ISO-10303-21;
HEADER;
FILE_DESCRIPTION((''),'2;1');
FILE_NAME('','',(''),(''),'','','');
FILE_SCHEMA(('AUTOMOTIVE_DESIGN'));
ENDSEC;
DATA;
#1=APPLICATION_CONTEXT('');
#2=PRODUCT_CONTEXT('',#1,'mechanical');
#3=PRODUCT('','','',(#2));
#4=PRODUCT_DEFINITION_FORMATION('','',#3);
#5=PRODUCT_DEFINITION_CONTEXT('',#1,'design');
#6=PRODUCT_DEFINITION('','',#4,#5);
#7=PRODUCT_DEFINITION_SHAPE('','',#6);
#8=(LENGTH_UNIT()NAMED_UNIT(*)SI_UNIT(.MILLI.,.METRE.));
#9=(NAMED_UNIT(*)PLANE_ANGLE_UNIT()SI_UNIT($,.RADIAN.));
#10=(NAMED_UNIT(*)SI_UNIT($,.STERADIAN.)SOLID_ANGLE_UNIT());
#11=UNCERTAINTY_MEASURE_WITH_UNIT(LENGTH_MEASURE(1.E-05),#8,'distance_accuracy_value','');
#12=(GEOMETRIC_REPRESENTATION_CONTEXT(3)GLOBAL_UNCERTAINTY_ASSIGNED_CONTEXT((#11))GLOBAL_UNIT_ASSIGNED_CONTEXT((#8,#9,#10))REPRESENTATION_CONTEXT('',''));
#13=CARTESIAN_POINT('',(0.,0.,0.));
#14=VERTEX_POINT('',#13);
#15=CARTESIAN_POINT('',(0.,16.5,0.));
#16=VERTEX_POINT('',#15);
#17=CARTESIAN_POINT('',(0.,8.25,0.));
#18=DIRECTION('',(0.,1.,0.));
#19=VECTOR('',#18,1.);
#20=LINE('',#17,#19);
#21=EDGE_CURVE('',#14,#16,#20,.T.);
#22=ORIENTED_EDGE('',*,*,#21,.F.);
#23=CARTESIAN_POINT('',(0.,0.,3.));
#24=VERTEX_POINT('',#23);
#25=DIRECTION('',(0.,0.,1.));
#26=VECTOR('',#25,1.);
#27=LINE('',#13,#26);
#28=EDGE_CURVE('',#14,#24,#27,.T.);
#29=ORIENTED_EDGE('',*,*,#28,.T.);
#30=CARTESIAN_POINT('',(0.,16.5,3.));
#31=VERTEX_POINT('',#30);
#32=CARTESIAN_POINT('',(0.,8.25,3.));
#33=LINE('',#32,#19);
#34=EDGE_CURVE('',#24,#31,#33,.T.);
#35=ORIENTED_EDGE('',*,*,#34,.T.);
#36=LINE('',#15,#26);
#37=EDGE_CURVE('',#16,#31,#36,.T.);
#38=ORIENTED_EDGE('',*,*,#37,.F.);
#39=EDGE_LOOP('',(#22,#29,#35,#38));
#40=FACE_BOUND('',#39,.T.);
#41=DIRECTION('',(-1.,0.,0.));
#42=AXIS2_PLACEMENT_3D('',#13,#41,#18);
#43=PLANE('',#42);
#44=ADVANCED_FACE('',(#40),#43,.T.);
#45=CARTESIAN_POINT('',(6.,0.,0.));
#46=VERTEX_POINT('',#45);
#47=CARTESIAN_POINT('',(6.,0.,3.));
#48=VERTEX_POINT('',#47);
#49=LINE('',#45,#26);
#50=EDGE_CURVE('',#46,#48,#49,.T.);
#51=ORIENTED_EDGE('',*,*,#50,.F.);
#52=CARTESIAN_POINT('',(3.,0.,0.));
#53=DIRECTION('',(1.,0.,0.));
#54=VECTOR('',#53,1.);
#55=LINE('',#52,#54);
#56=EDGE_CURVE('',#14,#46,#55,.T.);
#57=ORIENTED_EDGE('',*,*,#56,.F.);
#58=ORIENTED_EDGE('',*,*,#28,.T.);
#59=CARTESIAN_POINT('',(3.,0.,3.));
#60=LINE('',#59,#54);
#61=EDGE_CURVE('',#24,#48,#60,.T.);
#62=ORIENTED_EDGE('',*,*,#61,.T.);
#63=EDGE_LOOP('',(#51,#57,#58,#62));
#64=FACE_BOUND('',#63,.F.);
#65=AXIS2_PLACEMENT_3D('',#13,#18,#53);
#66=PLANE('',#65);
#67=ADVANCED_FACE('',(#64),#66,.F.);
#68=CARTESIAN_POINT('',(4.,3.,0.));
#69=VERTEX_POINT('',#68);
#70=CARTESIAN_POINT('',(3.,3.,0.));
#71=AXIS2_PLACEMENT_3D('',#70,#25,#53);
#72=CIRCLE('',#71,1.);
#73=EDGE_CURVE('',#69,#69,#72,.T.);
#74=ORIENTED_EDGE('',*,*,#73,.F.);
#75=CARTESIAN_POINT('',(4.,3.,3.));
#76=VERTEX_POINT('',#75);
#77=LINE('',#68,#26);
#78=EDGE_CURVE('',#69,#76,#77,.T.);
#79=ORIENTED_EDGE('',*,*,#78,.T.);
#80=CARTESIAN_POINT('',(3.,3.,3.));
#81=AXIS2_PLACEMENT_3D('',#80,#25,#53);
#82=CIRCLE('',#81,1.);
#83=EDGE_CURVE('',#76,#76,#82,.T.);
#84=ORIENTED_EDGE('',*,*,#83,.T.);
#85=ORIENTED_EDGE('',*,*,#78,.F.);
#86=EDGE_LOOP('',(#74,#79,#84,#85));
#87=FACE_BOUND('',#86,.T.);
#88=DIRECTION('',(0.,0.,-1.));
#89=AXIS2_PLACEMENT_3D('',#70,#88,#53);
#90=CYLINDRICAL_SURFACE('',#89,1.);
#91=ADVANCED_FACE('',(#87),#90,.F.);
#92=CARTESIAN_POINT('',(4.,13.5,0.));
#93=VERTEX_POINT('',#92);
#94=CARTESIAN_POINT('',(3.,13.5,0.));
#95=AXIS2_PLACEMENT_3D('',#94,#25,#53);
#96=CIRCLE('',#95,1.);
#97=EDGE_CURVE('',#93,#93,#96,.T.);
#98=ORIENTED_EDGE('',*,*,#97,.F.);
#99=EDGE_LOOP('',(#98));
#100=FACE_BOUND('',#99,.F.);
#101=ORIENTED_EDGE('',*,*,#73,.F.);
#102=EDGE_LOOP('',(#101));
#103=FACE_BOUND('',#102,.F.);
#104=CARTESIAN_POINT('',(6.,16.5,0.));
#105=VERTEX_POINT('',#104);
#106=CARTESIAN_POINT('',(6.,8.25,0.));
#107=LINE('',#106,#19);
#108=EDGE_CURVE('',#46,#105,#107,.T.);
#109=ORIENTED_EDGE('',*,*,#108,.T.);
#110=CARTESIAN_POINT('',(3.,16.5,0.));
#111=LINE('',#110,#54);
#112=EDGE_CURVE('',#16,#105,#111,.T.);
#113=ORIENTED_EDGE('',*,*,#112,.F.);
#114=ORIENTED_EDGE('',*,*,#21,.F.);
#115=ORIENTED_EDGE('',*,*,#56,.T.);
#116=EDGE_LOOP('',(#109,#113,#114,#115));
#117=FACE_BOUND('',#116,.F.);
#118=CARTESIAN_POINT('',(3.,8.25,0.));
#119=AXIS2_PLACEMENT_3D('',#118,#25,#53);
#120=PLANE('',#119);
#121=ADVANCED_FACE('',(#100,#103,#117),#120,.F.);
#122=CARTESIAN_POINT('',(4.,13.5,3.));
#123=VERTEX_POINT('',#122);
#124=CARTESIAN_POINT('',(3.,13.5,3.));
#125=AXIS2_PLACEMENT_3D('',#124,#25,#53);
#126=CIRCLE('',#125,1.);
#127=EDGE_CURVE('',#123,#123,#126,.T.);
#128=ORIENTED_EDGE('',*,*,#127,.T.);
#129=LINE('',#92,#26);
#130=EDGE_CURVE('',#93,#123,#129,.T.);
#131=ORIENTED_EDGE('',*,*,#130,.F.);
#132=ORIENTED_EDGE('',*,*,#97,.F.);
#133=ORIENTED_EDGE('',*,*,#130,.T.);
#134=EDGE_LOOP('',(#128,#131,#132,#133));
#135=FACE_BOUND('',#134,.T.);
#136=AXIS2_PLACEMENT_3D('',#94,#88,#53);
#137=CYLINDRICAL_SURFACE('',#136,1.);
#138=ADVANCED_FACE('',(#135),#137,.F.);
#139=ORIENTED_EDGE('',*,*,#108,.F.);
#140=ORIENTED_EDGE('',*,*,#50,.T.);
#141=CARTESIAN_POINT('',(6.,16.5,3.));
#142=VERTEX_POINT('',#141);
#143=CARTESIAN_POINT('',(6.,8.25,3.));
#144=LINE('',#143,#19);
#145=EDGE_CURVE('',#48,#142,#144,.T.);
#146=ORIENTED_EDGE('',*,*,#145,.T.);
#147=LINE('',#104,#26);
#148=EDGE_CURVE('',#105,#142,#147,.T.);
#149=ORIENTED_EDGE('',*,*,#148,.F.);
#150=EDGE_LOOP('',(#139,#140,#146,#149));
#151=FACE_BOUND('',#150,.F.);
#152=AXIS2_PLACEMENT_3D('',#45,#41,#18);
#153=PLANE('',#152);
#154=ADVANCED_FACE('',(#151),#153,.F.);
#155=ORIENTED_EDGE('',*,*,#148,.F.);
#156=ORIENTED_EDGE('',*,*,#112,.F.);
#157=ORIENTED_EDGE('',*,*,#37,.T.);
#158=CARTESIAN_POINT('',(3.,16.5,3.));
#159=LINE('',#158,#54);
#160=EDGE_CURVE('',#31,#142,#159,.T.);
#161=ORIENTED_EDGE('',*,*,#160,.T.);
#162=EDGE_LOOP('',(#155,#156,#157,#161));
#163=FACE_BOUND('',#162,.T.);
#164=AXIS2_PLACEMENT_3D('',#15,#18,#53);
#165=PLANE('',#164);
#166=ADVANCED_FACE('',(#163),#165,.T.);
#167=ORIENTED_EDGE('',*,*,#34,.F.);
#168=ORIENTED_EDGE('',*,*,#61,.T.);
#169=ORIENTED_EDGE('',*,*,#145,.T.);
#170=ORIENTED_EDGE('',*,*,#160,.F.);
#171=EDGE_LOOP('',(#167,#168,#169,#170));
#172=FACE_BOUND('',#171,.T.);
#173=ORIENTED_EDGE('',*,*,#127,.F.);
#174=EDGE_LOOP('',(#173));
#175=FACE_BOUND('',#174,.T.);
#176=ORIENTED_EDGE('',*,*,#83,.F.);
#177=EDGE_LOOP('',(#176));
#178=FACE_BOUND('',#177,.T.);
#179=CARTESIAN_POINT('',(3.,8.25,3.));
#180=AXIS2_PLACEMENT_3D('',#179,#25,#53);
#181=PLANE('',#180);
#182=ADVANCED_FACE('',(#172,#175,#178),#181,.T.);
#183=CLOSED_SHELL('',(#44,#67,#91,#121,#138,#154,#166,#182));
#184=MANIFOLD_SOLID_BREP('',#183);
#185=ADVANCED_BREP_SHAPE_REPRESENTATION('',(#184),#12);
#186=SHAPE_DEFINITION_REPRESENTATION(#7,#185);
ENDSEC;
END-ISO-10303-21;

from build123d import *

# Parameters (mm, degrees)
SKETCH_W  = 6
SKETCH_H  = 16.5
SKETCH_R  = 1
PAD_DEPTH = 3


with BuildPart() as part:
    # Sketch → Pad (new body)
    with BuildSketch(Plane.XY):
        with Locations((3, 8.25)):
            Rectangle(SKETCH_W, SKETCH_H)
        with Locations((3, 3)):
            Circle(SKETCH_R, mode=Mode.SUBTRACT)
        with Locations((3, 13.5)):
            Circle(SKETCH_R, mode=Mode.SUBTRACT)
    extrude(amount=PAD_DEPTH)


solid = part.part
